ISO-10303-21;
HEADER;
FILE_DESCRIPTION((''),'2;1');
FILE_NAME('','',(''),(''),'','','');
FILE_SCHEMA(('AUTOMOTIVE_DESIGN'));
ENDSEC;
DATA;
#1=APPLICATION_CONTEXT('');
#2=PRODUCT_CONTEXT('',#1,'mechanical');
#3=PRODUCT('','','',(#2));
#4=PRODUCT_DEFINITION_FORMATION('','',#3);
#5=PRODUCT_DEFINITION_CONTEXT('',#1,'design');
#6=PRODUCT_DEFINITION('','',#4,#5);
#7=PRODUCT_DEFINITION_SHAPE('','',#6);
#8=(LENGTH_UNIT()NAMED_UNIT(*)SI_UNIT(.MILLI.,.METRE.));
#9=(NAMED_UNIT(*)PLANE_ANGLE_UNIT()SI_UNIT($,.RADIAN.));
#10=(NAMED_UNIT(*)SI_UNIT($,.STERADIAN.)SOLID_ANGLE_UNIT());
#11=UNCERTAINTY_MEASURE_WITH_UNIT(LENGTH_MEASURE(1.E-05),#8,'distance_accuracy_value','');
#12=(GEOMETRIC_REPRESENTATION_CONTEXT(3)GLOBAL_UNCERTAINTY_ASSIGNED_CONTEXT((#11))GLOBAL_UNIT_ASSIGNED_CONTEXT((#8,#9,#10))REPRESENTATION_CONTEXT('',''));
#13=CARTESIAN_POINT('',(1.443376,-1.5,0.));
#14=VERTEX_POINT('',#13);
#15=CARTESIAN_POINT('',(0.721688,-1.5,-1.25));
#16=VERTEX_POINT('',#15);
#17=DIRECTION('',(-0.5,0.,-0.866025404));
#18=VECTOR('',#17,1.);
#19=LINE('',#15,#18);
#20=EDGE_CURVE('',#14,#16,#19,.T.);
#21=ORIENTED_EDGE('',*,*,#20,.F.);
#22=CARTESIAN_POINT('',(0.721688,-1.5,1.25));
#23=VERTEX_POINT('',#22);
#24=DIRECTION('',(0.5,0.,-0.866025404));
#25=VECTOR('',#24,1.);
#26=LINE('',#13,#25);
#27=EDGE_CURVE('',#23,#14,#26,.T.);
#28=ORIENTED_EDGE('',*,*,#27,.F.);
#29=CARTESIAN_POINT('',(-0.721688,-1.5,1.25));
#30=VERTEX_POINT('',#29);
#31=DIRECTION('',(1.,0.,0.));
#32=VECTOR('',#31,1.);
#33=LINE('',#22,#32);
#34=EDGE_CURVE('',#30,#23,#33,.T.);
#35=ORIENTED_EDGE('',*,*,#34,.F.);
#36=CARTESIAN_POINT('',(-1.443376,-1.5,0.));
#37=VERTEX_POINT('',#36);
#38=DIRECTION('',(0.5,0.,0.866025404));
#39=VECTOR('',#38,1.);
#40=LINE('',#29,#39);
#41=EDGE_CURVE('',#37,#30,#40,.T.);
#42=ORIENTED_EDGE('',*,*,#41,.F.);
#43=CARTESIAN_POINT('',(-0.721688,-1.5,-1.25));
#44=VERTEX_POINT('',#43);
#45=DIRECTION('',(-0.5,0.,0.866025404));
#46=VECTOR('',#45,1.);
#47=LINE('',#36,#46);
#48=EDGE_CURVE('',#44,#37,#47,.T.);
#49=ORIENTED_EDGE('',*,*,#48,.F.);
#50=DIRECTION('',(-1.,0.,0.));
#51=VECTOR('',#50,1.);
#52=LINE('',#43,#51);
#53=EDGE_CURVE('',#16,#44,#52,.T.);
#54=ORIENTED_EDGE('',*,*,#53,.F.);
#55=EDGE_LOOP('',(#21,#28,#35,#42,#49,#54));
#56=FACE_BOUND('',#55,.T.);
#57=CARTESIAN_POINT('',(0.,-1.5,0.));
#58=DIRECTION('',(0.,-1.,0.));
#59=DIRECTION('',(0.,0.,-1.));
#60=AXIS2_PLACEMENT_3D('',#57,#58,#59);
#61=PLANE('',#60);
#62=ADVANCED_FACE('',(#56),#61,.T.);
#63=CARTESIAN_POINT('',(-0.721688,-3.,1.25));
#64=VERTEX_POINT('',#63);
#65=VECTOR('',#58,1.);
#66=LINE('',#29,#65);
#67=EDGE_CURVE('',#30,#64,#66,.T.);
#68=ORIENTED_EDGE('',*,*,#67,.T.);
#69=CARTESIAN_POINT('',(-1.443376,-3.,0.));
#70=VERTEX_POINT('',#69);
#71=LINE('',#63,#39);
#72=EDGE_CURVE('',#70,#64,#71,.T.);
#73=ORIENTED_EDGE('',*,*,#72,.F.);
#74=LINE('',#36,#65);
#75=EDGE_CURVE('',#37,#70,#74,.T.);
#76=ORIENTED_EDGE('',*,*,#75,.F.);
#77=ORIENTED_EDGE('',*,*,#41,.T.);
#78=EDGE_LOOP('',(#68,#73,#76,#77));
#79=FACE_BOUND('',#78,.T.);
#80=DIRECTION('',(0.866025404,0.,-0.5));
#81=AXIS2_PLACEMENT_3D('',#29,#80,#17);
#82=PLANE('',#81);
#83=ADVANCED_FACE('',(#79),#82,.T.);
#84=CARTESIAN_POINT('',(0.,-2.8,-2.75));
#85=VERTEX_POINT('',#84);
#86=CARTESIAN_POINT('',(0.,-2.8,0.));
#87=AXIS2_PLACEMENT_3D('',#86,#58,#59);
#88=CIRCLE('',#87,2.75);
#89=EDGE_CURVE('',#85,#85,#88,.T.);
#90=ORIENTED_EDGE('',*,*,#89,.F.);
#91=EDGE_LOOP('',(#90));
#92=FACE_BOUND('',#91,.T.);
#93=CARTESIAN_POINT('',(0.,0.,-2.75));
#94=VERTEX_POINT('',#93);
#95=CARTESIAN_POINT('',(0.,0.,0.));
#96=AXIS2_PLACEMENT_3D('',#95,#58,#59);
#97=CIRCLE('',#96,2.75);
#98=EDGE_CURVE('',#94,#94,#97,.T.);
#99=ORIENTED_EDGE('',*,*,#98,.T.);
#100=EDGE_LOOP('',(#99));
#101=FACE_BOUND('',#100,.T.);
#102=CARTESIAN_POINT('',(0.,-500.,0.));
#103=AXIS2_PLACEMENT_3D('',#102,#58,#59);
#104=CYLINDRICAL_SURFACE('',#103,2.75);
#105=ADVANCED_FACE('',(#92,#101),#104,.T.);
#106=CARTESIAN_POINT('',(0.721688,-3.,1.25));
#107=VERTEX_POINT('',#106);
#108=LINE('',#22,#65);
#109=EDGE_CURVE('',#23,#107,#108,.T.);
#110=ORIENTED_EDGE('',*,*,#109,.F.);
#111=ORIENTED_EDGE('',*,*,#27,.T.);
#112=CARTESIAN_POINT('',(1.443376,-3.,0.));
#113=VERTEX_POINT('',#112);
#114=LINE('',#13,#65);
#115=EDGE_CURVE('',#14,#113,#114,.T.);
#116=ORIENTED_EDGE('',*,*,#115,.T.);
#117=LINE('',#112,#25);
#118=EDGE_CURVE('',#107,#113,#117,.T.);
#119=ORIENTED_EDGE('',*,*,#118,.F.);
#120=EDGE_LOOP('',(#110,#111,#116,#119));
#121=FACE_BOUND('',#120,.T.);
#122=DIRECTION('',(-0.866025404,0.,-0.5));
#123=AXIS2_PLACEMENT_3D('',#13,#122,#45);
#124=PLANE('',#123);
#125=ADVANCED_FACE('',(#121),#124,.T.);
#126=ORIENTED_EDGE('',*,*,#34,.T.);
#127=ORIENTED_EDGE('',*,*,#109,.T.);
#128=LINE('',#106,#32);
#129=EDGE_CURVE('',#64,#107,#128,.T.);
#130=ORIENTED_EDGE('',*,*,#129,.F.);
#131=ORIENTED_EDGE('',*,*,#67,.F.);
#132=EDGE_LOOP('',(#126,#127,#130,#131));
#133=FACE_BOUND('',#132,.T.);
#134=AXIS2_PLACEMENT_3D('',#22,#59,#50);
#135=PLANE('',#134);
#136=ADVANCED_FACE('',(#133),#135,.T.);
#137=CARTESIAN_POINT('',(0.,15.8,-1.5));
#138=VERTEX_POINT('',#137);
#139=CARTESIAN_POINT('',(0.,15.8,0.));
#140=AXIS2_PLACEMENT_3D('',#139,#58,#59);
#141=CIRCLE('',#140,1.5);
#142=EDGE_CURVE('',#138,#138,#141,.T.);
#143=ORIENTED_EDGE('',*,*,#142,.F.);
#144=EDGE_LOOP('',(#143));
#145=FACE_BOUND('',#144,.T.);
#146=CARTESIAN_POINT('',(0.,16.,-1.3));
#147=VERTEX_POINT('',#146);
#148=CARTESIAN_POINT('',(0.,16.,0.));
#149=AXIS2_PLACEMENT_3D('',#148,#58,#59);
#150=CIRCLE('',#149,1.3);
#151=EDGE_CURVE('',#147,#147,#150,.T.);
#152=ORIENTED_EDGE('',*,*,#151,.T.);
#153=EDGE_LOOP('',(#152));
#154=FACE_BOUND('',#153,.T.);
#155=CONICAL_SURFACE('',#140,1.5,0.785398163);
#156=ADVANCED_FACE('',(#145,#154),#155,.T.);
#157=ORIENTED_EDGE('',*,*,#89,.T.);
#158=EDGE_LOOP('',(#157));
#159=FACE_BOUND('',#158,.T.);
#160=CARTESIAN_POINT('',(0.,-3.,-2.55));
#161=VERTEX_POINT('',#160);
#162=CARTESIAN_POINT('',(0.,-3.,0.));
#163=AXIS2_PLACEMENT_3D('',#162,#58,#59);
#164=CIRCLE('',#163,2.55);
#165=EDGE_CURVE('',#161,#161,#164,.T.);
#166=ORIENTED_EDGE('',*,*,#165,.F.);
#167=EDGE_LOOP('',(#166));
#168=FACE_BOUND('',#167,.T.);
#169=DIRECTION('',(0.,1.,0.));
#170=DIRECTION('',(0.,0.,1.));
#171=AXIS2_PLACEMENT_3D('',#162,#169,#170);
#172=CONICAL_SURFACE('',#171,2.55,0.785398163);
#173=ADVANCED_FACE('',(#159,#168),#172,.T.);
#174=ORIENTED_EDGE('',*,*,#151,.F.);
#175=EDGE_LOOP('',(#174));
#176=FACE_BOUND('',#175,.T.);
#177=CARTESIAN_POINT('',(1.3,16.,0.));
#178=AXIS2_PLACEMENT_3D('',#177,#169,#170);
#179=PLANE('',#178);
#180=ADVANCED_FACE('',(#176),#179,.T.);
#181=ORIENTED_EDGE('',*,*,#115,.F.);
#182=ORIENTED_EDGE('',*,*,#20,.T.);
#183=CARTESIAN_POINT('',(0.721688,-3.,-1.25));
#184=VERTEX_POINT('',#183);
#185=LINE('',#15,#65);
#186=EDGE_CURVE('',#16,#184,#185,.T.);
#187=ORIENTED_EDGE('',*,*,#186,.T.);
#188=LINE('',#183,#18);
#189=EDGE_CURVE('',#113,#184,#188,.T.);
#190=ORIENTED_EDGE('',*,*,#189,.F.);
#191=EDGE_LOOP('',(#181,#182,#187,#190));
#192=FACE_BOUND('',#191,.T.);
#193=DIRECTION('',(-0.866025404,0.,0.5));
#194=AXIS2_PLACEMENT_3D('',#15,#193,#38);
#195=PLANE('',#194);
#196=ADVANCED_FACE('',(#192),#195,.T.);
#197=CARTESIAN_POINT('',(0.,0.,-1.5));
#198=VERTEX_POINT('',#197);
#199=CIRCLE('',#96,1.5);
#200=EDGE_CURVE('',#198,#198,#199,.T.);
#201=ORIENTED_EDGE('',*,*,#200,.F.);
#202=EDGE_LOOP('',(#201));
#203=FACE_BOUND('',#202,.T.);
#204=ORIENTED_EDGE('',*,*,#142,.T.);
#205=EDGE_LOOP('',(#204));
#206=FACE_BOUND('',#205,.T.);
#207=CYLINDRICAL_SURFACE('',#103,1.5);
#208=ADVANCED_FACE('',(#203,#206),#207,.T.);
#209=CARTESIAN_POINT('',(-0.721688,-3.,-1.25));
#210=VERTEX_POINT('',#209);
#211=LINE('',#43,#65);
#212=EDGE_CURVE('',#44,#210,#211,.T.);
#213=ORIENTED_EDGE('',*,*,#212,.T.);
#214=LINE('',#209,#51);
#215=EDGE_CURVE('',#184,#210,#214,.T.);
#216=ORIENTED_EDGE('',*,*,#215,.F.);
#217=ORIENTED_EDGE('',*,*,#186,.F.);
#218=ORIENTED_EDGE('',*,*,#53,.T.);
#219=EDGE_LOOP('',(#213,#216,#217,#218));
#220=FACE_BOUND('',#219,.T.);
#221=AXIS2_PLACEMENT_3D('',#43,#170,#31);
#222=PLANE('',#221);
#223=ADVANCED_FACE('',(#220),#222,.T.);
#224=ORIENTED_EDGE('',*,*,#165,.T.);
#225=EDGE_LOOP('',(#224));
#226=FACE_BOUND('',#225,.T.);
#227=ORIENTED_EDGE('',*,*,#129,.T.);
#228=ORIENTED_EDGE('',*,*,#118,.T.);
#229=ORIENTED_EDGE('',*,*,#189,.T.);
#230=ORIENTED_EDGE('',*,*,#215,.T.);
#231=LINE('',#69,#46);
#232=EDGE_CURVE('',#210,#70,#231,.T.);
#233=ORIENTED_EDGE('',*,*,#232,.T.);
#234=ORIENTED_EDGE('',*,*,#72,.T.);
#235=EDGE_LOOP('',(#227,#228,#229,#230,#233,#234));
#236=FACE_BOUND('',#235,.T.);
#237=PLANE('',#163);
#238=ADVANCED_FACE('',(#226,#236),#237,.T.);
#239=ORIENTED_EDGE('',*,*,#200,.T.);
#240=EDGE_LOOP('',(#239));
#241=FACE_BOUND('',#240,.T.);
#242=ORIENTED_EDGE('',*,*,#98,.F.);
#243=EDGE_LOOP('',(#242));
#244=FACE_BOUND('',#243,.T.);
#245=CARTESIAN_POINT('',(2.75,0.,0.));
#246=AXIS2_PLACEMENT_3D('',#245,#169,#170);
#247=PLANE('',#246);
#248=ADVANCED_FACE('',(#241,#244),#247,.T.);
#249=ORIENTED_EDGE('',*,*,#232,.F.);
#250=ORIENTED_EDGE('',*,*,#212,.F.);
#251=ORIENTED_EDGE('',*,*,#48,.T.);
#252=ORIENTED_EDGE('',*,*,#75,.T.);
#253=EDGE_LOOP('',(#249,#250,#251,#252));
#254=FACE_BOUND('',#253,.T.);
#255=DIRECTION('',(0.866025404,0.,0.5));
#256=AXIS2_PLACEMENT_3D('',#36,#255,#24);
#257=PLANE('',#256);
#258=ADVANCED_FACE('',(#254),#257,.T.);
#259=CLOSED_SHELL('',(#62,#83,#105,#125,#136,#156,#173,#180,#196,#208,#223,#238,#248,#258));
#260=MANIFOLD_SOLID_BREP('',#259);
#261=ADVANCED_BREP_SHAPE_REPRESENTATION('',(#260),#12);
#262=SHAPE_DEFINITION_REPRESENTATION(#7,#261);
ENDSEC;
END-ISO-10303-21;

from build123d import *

# Parameters (mm, degrees)
SIMPLIFIED_START                    = -3
SIMPLIFIED_NOMINAL_HEX_SOCKET_DEPTH = 1.5


with BuildPart() as part:
    # Reconstructed nominal axial profile → Native revolved geometry (revolve)
    with BuildSketch(Plane.XY, mode=Mode.PRIVATE) as native_revolved_geometry_sk:
        Polygon((0, -3), (2.55, -3), (2.75, -2.8), (2.75, 0), (1.5, 0), (1.5, 15.8), (1.3, 16), (0, 16), align=None)
    revolve(native_revolved_geometry_sk.sketch.rotate(Axis((0, -500, 0), (0, 1, 0)), 90), axis=Axis((0, -500, 0), (0, 1, 0)))

    # Sketch2 → Simplified nominal hex socket (cut)
    with BuildSketch(Plane(origin=(0, 0, 0), x_dir=(1, 0, 0), z_dir=(0, 1, 0)).offset(SIMPLIFIED_START)):
        Polygon((1.443375673, 0), (0.721687836, -1.25), (-0.721687836, -1.25), (-1.443375673, 0), (-0.721687836, 1.25), (0.721687836, 1.25), align=None)
    extrude(amount=SIMPLIFIED_NOMINAL_HEX_SOCKET_DEPTH, mode=Mode.SUBTRACT)


solid = part.part
